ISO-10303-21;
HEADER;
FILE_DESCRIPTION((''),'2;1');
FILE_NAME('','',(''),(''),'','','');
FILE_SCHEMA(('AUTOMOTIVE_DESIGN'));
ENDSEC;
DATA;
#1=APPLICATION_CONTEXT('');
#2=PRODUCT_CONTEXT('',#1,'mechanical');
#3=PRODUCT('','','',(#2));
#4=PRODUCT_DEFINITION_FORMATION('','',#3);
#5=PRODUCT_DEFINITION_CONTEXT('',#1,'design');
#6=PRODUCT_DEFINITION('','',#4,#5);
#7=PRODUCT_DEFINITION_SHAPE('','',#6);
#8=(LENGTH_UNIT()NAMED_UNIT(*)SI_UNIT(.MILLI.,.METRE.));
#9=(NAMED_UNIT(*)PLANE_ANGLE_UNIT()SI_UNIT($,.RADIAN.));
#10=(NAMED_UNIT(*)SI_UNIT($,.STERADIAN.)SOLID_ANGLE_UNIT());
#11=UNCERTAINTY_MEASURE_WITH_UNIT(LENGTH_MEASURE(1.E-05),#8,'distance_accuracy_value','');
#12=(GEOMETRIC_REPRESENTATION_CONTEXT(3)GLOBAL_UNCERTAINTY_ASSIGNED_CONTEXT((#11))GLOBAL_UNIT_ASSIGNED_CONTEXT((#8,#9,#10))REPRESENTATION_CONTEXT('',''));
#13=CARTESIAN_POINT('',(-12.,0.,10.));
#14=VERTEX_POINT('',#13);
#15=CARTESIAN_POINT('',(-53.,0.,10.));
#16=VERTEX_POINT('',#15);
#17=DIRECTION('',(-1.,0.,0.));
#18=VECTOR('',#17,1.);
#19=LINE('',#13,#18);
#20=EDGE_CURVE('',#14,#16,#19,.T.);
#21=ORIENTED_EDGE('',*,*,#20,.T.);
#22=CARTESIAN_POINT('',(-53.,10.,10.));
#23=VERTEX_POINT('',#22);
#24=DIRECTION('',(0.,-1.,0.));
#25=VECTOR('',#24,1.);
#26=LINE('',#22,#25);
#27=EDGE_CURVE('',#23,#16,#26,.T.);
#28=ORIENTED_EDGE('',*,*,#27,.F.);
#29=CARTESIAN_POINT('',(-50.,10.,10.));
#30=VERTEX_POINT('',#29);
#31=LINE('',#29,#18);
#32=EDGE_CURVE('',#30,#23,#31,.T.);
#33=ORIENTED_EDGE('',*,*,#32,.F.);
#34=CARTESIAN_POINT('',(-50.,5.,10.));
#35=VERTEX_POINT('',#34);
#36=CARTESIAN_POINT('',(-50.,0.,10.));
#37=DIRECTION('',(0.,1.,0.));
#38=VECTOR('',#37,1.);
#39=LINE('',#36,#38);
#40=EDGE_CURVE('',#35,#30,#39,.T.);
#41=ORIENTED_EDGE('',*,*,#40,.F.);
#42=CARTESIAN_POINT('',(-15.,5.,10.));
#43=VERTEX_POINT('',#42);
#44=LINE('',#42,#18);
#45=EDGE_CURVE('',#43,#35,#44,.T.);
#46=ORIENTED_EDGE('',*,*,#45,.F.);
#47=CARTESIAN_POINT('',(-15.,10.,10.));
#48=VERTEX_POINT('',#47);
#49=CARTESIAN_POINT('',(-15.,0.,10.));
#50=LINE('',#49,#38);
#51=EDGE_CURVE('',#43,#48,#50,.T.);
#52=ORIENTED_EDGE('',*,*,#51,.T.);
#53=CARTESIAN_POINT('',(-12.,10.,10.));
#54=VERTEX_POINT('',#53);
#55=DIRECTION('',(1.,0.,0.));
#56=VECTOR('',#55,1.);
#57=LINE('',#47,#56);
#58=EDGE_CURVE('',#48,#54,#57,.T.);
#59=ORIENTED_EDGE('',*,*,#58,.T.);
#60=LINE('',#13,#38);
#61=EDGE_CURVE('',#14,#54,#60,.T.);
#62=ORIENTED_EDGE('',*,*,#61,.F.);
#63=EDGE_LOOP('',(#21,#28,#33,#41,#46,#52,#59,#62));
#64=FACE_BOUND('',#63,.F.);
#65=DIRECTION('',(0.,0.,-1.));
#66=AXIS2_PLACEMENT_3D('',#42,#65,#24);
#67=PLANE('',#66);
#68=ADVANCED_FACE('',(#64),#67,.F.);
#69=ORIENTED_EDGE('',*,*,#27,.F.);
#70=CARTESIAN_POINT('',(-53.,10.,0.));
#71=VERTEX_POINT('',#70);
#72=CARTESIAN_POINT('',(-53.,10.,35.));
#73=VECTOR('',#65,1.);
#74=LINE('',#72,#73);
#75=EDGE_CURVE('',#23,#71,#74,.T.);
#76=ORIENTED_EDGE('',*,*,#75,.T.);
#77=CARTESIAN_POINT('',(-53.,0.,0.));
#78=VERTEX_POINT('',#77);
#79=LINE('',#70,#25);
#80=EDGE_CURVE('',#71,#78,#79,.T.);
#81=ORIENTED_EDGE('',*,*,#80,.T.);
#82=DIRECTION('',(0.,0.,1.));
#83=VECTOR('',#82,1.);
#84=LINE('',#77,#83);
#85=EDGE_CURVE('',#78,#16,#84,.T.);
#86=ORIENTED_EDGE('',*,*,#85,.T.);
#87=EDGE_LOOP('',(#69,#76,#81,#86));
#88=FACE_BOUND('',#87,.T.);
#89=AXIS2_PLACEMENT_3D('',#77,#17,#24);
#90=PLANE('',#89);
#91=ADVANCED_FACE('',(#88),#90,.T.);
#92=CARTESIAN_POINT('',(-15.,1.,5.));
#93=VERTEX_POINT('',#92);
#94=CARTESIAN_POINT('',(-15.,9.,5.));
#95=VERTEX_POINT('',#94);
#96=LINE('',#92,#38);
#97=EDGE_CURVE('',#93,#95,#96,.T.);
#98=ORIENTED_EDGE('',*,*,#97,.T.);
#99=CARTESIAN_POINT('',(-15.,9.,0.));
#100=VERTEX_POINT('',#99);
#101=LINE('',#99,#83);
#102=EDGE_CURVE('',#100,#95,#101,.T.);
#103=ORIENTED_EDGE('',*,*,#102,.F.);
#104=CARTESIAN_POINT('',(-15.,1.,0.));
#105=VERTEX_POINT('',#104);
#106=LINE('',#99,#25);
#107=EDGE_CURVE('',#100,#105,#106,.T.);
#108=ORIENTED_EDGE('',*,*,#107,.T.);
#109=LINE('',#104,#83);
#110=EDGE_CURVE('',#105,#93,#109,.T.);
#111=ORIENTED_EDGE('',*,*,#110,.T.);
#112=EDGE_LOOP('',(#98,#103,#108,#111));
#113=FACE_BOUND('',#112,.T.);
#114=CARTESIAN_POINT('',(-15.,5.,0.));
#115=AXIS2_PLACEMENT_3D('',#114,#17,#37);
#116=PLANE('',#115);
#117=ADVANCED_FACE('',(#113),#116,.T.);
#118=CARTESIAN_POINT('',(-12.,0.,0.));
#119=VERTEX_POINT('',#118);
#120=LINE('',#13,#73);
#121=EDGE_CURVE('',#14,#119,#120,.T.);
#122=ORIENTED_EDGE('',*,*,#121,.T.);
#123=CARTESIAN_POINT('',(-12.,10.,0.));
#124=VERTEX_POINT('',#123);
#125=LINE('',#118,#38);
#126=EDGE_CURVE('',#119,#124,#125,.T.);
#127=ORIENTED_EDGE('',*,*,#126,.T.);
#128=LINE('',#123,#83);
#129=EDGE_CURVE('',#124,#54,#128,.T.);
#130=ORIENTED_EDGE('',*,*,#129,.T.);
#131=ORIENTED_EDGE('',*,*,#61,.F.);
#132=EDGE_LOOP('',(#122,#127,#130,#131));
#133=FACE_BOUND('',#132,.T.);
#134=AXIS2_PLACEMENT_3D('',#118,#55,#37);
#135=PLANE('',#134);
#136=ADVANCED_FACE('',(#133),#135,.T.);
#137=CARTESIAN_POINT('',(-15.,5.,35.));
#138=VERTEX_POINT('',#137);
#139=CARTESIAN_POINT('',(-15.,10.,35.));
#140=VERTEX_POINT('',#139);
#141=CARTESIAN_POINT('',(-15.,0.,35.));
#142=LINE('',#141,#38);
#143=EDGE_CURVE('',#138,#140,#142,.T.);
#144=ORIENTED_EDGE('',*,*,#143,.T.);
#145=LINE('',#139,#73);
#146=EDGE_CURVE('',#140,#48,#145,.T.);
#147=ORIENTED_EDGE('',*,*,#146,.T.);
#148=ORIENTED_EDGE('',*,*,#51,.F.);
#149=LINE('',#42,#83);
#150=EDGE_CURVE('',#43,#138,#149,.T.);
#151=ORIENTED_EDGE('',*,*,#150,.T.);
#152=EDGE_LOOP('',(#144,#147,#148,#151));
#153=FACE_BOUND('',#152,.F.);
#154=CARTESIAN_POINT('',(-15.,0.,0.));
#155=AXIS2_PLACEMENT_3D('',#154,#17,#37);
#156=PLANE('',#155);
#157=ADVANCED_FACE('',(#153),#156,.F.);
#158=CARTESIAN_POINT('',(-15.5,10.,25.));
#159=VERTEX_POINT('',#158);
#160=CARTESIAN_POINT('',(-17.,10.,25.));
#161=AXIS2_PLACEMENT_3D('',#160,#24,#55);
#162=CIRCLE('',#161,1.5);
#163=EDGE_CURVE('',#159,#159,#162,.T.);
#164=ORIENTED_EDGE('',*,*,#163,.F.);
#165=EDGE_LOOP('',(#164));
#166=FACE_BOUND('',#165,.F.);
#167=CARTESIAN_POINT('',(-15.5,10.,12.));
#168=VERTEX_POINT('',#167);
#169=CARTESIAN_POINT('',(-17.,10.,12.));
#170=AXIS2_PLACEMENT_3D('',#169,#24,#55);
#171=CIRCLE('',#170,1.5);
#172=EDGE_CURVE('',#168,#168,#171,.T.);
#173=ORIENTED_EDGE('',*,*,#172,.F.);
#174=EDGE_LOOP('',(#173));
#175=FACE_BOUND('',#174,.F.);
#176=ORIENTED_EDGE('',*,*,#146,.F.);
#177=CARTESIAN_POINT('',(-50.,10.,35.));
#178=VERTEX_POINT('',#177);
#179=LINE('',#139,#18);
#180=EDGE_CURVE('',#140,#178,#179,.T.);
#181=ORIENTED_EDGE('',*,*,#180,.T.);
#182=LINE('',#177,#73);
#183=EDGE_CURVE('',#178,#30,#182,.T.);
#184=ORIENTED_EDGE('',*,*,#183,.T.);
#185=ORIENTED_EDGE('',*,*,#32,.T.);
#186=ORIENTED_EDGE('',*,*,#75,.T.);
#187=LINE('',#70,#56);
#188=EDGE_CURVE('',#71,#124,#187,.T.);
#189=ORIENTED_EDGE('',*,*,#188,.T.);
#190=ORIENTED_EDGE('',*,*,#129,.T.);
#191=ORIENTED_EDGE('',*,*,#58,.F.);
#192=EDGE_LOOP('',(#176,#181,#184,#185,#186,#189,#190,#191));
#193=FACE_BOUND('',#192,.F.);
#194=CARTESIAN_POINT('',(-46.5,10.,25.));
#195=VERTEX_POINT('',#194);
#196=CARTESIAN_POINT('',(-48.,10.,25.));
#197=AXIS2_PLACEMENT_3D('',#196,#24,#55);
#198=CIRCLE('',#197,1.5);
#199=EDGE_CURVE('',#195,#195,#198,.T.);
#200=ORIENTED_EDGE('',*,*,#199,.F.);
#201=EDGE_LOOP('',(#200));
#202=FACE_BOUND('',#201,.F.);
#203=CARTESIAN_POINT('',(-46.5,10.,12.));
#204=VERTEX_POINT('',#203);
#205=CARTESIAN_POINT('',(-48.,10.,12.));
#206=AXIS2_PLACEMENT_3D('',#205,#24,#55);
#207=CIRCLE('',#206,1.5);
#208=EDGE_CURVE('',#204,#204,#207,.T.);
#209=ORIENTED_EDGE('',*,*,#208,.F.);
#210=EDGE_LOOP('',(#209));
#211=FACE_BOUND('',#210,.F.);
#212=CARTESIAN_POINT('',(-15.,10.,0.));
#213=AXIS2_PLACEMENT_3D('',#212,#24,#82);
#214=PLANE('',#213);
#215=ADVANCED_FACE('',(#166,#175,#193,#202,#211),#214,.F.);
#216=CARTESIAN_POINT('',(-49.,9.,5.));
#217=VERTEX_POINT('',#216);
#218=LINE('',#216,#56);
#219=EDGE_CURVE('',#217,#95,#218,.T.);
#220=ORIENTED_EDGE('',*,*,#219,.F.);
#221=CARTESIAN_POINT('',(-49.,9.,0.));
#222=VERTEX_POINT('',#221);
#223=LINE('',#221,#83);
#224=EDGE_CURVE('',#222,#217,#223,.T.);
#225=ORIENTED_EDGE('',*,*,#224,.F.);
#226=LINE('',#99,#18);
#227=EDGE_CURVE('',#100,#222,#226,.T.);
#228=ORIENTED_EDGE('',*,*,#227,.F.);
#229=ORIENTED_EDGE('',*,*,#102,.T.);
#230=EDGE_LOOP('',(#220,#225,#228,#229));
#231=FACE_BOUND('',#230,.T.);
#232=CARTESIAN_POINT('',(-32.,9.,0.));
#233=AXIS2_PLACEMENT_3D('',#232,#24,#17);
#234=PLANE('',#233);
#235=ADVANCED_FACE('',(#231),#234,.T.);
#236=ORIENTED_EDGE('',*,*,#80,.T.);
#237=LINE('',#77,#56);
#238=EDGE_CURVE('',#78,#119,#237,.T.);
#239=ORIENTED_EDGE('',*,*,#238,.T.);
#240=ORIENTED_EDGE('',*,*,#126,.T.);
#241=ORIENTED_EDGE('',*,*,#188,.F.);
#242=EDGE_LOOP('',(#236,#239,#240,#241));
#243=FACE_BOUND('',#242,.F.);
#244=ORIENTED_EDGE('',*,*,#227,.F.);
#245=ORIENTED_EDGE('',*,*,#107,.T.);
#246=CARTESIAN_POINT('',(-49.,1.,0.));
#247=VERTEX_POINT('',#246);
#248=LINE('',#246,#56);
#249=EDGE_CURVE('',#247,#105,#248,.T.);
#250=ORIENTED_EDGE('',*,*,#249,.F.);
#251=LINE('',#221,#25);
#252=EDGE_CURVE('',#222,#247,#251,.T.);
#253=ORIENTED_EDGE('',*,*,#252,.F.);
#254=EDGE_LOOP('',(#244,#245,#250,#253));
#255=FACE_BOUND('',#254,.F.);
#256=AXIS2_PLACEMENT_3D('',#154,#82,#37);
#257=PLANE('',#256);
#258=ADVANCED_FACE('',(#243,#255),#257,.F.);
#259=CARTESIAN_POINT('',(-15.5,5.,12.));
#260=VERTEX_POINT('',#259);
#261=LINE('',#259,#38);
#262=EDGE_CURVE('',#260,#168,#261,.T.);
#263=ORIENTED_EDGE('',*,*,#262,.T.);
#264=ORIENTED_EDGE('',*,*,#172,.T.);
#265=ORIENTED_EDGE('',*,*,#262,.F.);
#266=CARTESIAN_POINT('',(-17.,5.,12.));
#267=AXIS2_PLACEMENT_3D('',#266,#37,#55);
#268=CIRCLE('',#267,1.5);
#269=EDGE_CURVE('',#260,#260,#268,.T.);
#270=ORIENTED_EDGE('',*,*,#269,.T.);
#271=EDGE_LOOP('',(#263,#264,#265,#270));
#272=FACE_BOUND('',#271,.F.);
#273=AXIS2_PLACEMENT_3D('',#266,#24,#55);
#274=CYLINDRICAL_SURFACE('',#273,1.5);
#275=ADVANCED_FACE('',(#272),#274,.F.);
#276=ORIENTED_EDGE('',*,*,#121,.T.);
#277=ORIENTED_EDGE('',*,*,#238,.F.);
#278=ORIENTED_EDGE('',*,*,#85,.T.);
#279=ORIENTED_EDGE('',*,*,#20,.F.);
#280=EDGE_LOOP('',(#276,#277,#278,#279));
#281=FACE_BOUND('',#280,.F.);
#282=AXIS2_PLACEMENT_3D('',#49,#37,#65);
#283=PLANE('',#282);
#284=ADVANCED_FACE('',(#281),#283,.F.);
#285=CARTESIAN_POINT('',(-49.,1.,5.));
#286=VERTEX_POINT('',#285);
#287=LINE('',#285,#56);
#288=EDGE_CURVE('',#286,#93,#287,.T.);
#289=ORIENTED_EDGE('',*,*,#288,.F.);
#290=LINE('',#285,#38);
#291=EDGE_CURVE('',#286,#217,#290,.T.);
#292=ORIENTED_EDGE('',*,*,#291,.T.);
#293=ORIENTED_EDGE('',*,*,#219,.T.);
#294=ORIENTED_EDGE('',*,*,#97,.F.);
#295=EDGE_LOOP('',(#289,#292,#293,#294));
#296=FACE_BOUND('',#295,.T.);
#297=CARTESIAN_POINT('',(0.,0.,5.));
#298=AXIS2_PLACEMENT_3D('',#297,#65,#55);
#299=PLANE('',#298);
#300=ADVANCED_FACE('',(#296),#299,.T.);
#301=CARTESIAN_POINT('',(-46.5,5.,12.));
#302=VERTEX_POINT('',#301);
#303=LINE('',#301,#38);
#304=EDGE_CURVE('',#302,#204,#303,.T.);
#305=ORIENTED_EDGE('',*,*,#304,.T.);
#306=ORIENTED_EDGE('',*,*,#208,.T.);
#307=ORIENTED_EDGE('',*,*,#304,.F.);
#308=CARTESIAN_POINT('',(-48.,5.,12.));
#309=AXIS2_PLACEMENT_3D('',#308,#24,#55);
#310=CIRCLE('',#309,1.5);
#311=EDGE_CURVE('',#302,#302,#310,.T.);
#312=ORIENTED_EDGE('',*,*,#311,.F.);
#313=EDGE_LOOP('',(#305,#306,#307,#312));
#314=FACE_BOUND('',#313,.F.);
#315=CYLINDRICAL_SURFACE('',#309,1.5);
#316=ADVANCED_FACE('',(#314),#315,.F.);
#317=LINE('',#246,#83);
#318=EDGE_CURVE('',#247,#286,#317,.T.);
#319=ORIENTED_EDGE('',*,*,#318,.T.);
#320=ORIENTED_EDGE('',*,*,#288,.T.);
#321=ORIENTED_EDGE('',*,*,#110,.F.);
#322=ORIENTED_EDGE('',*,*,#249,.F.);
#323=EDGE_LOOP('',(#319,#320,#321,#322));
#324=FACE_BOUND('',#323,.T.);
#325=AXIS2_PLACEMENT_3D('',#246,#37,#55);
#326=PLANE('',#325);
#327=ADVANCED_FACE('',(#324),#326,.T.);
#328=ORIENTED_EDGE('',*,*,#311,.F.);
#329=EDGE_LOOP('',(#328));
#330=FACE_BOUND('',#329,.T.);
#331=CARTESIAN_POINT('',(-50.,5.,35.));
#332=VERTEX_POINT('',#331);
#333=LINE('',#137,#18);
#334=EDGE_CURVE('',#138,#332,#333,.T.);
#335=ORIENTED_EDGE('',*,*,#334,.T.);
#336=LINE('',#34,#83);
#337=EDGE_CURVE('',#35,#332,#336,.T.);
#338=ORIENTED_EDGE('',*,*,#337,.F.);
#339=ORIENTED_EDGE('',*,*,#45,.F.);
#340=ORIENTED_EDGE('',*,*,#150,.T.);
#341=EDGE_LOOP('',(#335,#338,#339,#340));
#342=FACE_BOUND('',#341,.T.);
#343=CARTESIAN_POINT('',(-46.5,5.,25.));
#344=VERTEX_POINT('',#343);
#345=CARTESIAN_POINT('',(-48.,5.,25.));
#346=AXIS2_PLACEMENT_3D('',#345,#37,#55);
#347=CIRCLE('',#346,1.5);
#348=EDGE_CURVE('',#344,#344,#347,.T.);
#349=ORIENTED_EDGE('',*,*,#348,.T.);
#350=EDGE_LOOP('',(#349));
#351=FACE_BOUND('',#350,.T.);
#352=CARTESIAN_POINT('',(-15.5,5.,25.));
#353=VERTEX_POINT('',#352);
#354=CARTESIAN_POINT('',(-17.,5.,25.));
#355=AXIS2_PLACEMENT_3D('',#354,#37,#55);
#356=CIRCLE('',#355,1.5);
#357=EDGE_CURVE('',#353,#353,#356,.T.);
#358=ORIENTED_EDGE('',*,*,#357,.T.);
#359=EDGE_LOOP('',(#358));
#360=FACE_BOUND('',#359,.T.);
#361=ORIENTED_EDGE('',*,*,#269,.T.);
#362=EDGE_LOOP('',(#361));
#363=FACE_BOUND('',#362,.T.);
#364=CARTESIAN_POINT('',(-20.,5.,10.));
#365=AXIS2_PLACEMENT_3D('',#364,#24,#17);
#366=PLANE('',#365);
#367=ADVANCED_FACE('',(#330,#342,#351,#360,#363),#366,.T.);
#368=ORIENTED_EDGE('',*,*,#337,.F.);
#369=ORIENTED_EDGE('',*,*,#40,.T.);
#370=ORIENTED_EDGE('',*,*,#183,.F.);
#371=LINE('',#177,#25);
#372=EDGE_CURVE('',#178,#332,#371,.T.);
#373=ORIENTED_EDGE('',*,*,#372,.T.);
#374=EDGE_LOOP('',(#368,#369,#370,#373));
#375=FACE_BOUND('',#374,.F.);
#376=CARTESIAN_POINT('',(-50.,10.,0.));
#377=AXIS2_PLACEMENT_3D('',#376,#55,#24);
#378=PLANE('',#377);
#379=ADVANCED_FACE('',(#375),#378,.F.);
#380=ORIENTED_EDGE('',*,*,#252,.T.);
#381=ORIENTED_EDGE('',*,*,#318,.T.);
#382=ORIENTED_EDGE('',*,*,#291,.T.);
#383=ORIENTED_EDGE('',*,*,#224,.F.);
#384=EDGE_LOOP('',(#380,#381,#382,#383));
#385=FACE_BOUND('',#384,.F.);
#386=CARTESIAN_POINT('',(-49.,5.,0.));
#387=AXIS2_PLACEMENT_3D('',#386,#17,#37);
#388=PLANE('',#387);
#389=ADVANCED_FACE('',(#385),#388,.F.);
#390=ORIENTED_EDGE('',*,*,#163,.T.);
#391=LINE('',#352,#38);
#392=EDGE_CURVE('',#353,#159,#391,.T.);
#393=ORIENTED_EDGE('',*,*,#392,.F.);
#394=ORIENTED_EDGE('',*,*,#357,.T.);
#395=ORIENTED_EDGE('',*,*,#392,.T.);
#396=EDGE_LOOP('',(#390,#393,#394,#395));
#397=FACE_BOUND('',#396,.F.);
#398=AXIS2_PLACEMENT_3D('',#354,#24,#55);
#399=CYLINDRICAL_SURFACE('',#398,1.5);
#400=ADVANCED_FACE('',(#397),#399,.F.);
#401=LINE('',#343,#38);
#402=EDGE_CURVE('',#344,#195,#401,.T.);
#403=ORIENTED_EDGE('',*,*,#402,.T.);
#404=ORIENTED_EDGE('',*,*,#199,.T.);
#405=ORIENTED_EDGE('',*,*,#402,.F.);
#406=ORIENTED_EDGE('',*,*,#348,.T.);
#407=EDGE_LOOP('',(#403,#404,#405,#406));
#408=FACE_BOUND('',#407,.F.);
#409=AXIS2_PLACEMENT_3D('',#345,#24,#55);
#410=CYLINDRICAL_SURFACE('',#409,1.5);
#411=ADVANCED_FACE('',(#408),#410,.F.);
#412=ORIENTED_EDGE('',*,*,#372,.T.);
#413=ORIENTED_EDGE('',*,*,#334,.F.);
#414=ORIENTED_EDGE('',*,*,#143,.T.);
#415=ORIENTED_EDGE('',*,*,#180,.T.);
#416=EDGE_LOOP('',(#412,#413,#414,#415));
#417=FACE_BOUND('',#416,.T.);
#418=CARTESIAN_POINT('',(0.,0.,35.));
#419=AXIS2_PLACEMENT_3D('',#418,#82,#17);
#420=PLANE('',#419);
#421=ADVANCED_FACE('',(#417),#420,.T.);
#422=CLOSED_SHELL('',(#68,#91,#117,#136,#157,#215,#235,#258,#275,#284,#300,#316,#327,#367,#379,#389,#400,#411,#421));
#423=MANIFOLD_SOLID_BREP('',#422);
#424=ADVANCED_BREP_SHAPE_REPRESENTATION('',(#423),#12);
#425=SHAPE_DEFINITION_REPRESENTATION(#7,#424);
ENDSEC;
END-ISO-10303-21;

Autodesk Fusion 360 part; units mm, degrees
sketch "Sketch1" plane through (0, 0, 0) normal (0, 0, 1) x (1, 0, 0)
  line L0 (-50, 0) -> (-15, 0)
  line L1 (-15, 0) -> (-15, 10)
  line L2 (-15, 10) -> (-50, 10)
  line L3 (-50, 10) -> (-50, 0)
  dimension "d1" = 35
  dimension "d2" = 10
extrude "Extrude1" add sketch "Sketch1" along normal blind 10
sketch "Sketch2" plane through (0, 0, 10) normal (0, 0, 1) x (-1, 0, 0)
  line L0 (50, -10) -> (50, 0)
  line L1 (50, 0) -> (15, 0)
  line L2 (15, 0) -> (15, -10)
  line L3 (15, -10) -> (50, -10)
  line L4 (50, -10) -> (50, -5)
  line L5 (15, -5) -> (15, -10)
  line L6 (15, -5) -> (20, -5)
  line L7 (20, -5) -> (50, -5)
  line L8 (50, -10) -> (15, -10)
extrude "Extrude2" add sketch "Sketch2" along normal blind 25 contours L0 L2 L3 L4 L5 L6 L7 L8
sketch "Sketch3" plane through (0, 5, 0) normal (0, -1, 0) x (1, 0, 0)
  line L0 (-50, 10) -> (-15, 10)
  line L1 (-15, 10) -> (-15, 35)
  line L2 (-15, 35) -> (-50, 35)
  line L3 (-50, 35) -> (-50, 10)
  line L4 (-15, 10) -> (-17, 10)
  line L5 (-17, 10) -> (-17, 12)
  circle A0 centre (-17, 12) radius 1.5
  line L6 (-50, 10) -> (-48, 10)
  circle A1 centre (-48, 12) radius 1.5
  dimension "d7" = 2
  dimension "d8" = 2
  dimension "d9" = 3
  dimension "d10" = 2
  dimension "d11" = 3
extrude "Extrude3" cut sketch "Sketch3" against normal blind 15 contours A0 | A1
sketch "Sketch4" plane through (0, 5, 0) normal (0, -1, 0) x (1, 0, 0)
  circle A0 centre (-17, 12) radius 1.5
  circle A1 centre (-48, 12) radius 1.5
  line L0 (-50, 10) -> (-15, 10)
  line L1 (-15, 10) -> (-15, 35)
  line L2 (-15, 35) -> (-50, 35)
  line L3 (-50, 35) -> (-50, 10)
  line L4 (-17, 10) -> (-17, 25)
  line L5 (-48, 10) -> (-48, 25)
  circle A2 centre (-48, 25) radius 1.5
  circle A3 centre (-17, 25) radius 1.5
  dimension "d14" = 15
  dimension "d15" = 15
  dimension "d16" = 3
  dimension "d17" = 3
extrude "Extrude4" cut sketch "Sketch4" against normal blind 24 contours A2 | A3
sketch "Sketch5" plane through (0, 0, 0) normal (0, 0, -1) x (1, 0, 0)
  line L0 (-50, 0) -> (-50, -10)
  line L1 (-50, -10) -> (-15, -10)
  line L2 (-15, -10) -> (-15, 0)
  line L3 (-15, 0) -> (-50, 0)
sketch "Sketch6" plane through (-50, 0, 0) normal (-1, 0, 0) x (0, -1, 0)
  line L0 (-10, 0) -> (0, 0)
  line L1 (0, 0) -> (0, 10)
  line L2 (0, 10) -> (-5, 10)
  line L3 (-5, 10) -> (-5, 35)
  line L4 (-5, 35) -> (-10, 35)
  line L5 (-10, 35) -> (-10, 0)
  line L6 (0, 10) -> (-10, 10)
  line L7 (-10, 10) -> (-10, 0)
  line L8 (-10, 0) -> (0, 0)
  line L9 (0, 0) -> (0, 10)
extrude "Extrude5" add sketch "Sketch6" along normal blind 3 contours L0 L1 L2 L5 L6 L7 L8 L9
sketch "Sketch7" plane through (-15, 0, 0) normal (1, 0, 0) x (0, 1, 0)
  line L0 (0, 0) -> (10, 0)
  line L1 (10, 0) -> (10, 35)
  line L2 (10, 35) -> (5, 35)
  line L3 (5, 35) -> (5, 10)
  line L4 (5, 10) -> (0, 10)
  line L5 (0, 10) -> (0, 0)
  line L6 (0, 10) -> (10, 10)
  line L7 (10, 10) -> (10, 0)
  line L8 (10, 0) -> (0, 0)
  line L9 (0, 0) -> (0, 10)
extrude "Extrude6" add sketch "Sketch7" along normal blind 3 contours L0 L1 L4 L5 L6 L7 L8 L9
sketch "Sketch8" plane through (0, 0, 0) normal (0, 0, -1) x (1, 0, 0)
sketch "Sketch9" plane through (0, 0, 0) normal (0, 0, -1) x (1, 0, 0)
  line L0 (-53, -10) -> (-52, -10)
  line L1 (-52, -10) -> (-32, -10)
  line L2 (-32, -10) -> (-32, -5)
  line L3 (-32, -5) -> (-15, -5)
  line L4 (-32, -5) -> (-49, -5)
  line L5 (-49, -5) -> (-49, -1)
  line L6 (-49, -5) -> (-49, -9)
  line L7 (-49, -1) -> (-15, -1)
  line L8 (-15, -1) -> (-15, -9)
  line L9 (-15, -9) -> (-49, -9)
  dimension "d24" = 20
  dimension "d25" = 17
  dimension "d26" = 17
  dimension "d27" = 4
  dimension "d28" = 4
extrude "Extrude7" cut sketch "Sketch9" against normal blind 5
